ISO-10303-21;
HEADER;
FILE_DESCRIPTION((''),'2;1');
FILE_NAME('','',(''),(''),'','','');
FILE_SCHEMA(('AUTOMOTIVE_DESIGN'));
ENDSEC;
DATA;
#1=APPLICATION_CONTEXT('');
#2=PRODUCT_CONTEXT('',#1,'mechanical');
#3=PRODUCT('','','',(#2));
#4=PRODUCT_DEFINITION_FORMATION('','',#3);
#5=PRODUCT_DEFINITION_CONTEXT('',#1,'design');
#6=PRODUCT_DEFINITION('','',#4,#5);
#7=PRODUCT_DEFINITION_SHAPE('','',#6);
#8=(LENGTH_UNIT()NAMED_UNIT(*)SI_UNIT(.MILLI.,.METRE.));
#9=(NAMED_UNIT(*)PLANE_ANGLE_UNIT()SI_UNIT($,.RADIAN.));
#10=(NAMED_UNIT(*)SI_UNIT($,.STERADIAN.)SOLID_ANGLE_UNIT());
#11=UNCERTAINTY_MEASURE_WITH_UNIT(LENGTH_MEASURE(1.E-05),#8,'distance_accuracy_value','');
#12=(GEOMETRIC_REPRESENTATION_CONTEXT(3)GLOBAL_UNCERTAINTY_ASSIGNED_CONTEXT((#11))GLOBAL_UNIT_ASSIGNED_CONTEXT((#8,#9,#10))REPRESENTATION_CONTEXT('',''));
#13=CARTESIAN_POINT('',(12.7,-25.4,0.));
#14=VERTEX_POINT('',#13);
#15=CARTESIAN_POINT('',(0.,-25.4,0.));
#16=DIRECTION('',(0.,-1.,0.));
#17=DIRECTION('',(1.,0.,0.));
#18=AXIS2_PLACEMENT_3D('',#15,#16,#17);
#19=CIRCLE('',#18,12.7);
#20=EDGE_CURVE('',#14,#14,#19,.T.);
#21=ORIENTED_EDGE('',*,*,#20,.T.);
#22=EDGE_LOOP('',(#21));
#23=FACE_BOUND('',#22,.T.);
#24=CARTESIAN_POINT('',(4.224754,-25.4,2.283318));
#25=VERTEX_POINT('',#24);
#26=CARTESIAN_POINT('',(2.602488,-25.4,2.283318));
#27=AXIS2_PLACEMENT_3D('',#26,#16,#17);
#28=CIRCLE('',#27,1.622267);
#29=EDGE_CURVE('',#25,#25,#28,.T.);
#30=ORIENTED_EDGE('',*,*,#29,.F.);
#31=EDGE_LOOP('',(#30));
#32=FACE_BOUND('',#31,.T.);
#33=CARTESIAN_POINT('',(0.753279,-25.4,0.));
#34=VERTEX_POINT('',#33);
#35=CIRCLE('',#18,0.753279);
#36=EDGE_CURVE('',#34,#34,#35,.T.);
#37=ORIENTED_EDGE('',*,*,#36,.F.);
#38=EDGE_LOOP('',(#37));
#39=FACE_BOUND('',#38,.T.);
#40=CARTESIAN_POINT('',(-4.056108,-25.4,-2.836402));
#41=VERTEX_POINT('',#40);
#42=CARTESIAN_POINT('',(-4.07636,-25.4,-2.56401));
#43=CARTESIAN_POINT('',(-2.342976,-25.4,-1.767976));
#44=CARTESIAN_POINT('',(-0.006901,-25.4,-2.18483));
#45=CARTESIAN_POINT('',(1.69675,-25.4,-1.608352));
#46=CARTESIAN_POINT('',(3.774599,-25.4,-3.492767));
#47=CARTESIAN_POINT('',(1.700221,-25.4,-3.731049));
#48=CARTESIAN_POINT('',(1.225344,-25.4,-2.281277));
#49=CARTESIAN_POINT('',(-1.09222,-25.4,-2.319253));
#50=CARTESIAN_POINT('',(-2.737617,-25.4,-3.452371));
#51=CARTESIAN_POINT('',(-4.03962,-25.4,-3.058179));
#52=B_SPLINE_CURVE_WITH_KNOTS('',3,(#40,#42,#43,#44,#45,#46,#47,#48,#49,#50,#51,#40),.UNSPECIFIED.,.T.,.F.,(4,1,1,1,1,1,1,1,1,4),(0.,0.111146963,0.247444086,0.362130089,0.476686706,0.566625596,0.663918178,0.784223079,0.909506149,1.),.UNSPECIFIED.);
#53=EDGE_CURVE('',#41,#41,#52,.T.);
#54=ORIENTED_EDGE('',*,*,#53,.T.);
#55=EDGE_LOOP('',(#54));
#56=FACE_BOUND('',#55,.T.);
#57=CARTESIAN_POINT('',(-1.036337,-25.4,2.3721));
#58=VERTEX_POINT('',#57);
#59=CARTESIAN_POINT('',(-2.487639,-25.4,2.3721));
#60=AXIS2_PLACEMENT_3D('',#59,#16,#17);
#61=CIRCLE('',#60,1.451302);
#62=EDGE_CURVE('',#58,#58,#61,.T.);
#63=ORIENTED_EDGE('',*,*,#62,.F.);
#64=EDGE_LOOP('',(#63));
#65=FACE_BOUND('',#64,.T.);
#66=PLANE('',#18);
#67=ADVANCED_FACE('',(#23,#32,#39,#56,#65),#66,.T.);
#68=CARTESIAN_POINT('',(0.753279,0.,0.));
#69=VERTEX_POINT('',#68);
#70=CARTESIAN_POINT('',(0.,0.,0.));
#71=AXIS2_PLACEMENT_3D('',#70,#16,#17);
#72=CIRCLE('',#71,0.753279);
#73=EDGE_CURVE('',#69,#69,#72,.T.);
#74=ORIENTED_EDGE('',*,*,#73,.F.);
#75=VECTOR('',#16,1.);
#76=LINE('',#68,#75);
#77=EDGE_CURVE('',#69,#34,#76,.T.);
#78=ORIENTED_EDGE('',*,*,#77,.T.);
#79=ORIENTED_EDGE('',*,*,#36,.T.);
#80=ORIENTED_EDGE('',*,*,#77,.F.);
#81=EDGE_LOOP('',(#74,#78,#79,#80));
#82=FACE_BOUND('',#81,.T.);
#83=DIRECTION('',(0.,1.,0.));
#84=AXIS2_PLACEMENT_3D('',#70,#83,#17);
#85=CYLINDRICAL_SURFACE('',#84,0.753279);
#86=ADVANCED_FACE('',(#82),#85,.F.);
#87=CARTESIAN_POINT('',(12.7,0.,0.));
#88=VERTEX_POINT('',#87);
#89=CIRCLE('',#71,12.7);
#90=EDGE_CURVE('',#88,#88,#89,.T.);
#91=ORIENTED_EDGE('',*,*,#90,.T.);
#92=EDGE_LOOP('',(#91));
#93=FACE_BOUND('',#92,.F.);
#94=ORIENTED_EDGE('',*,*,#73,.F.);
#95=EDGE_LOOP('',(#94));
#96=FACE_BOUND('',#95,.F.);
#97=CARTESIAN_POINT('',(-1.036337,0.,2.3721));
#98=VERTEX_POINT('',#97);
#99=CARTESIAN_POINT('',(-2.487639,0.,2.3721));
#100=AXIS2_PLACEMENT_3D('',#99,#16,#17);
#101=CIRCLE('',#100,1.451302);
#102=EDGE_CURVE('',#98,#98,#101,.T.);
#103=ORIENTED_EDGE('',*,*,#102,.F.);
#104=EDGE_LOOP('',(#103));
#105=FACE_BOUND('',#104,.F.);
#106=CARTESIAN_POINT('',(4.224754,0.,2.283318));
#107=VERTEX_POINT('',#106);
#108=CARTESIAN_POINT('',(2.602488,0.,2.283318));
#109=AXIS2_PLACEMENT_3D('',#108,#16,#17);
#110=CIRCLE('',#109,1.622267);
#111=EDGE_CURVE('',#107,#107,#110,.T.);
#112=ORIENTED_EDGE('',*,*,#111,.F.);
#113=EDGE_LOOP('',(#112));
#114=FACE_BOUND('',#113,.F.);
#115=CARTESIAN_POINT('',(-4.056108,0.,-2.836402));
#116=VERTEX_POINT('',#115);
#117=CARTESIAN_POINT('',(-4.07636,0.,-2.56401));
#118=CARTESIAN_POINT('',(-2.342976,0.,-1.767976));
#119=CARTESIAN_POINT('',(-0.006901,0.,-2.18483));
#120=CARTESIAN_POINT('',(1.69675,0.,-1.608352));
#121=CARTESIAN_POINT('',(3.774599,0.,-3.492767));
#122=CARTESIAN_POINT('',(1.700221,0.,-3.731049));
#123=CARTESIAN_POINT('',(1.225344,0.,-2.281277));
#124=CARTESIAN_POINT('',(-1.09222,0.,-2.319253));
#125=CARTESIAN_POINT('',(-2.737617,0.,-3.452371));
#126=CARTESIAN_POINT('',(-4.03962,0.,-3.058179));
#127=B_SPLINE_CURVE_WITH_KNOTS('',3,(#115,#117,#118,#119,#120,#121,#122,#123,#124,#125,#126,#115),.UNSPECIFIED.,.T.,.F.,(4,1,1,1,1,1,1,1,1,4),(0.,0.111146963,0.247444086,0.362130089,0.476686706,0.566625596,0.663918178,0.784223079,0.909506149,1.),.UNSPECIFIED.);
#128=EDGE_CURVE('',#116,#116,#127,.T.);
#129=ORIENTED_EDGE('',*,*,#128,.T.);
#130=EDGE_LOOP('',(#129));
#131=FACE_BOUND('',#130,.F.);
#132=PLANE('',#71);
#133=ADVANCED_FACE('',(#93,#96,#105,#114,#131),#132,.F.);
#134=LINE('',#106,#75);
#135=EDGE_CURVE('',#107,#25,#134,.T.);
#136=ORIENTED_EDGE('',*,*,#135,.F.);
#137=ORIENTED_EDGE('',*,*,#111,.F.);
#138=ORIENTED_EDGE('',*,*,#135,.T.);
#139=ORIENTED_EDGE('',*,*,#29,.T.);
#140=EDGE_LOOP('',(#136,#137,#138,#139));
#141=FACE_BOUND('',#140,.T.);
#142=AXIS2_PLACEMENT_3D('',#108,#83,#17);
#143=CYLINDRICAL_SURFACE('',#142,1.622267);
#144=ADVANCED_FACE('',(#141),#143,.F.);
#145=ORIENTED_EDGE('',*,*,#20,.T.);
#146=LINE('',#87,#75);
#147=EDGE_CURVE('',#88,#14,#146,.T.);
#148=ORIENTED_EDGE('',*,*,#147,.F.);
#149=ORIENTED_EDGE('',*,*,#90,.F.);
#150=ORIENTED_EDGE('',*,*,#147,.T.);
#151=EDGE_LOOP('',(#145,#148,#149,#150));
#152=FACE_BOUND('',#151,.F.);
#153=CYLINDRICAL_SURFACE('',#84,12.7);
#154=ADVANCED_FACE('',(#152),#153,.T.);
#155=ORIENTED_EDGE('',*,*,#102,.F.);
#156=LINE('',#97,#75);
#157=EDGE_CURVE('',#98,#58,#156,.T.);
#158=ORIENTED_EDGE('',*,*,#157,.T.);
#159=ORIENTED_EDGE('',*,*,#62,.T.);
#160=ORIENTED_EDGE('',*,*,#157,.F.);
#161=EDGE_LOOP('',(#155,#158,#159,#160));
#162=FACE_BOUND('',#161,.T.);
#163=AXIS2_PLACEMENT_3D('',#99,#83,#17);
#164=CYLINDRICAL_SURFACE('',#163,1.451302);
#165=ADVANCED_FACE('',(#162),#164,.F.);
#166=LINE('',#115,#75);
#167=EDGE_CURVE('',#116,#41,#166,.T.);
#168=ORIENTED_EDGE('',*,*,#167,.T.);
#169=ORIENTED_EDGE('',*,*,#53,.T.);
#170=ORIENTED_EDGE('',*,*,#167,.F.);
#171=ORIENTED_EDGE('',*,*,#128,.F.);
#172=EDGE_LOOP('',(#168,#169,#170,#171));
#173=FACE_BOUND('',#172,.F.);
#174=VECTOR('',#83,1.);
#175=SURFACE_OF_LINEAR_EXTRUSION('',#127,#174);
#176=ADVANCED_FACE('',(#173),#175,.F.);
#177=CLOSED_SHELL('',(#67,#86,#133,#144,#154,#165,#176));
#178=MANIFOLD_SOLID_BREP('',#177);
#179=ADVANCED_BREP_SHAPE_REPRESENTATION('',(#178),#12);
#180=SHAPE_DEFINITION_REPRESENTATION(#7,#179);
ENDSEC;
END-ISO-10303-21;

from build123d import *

# Parameters (mm, degrees)
F0_R     = 12.7
F0_R_2   = 0.7532790997
F0_R_3   = 1.4513017317
F0_R_4   = 1.6222668948
F1_DEPTH = 25.4


with BuildPart() as f1:
    # F0 (on Front) → F1 (new body)
    with BuildSketch(Plane.XZ):
        Circle(F0_R)
        with BuildLine():
            add(Edge.make_bspline(
                [(-4.0561081842, -2.8364022728), (-4.0763596525, -2.5640098122), (-2.3429758685, -1.7679761001), (-0.0069012459, -2.1848302418), (1.696749571, -1.6083519579), (3.7745993281, -3.4927666815), (1.7002206611, -3.7310493868), (1.2253439775, -2.2812771985), (-1.0922202113, -2.3192531608), (-2.737617241, -3.452370805), (-4.0396198042, -3.0581792969), (-4.0561081842, -2.8364022728)],
                knots=[0, 0, 0, 0, 0.1111469629, 0.2474440862, 0.3621300893, 0.4766867062, 0.5666255964, 0.6639181781, 0.7842230792, 0.9095061493, 1, 1, 1, 1], degree=3))
        make_face(mode=Mode.SUBTRACT)
        Circle(F0_R_2, mode=Mode.SUBTRACT)
        with Locations((-2.4876389652, 2.3720995523)):
            Circle(F0_R_3, mode=Mode.SUBTRACT)
        with Locations((2.6024875697, 2.2833179682)):
            Circle(F0_R_4, mode=Mode.SUBTRACT)
    extrude(amount=F1_DEPTH)


solid = f1.part
